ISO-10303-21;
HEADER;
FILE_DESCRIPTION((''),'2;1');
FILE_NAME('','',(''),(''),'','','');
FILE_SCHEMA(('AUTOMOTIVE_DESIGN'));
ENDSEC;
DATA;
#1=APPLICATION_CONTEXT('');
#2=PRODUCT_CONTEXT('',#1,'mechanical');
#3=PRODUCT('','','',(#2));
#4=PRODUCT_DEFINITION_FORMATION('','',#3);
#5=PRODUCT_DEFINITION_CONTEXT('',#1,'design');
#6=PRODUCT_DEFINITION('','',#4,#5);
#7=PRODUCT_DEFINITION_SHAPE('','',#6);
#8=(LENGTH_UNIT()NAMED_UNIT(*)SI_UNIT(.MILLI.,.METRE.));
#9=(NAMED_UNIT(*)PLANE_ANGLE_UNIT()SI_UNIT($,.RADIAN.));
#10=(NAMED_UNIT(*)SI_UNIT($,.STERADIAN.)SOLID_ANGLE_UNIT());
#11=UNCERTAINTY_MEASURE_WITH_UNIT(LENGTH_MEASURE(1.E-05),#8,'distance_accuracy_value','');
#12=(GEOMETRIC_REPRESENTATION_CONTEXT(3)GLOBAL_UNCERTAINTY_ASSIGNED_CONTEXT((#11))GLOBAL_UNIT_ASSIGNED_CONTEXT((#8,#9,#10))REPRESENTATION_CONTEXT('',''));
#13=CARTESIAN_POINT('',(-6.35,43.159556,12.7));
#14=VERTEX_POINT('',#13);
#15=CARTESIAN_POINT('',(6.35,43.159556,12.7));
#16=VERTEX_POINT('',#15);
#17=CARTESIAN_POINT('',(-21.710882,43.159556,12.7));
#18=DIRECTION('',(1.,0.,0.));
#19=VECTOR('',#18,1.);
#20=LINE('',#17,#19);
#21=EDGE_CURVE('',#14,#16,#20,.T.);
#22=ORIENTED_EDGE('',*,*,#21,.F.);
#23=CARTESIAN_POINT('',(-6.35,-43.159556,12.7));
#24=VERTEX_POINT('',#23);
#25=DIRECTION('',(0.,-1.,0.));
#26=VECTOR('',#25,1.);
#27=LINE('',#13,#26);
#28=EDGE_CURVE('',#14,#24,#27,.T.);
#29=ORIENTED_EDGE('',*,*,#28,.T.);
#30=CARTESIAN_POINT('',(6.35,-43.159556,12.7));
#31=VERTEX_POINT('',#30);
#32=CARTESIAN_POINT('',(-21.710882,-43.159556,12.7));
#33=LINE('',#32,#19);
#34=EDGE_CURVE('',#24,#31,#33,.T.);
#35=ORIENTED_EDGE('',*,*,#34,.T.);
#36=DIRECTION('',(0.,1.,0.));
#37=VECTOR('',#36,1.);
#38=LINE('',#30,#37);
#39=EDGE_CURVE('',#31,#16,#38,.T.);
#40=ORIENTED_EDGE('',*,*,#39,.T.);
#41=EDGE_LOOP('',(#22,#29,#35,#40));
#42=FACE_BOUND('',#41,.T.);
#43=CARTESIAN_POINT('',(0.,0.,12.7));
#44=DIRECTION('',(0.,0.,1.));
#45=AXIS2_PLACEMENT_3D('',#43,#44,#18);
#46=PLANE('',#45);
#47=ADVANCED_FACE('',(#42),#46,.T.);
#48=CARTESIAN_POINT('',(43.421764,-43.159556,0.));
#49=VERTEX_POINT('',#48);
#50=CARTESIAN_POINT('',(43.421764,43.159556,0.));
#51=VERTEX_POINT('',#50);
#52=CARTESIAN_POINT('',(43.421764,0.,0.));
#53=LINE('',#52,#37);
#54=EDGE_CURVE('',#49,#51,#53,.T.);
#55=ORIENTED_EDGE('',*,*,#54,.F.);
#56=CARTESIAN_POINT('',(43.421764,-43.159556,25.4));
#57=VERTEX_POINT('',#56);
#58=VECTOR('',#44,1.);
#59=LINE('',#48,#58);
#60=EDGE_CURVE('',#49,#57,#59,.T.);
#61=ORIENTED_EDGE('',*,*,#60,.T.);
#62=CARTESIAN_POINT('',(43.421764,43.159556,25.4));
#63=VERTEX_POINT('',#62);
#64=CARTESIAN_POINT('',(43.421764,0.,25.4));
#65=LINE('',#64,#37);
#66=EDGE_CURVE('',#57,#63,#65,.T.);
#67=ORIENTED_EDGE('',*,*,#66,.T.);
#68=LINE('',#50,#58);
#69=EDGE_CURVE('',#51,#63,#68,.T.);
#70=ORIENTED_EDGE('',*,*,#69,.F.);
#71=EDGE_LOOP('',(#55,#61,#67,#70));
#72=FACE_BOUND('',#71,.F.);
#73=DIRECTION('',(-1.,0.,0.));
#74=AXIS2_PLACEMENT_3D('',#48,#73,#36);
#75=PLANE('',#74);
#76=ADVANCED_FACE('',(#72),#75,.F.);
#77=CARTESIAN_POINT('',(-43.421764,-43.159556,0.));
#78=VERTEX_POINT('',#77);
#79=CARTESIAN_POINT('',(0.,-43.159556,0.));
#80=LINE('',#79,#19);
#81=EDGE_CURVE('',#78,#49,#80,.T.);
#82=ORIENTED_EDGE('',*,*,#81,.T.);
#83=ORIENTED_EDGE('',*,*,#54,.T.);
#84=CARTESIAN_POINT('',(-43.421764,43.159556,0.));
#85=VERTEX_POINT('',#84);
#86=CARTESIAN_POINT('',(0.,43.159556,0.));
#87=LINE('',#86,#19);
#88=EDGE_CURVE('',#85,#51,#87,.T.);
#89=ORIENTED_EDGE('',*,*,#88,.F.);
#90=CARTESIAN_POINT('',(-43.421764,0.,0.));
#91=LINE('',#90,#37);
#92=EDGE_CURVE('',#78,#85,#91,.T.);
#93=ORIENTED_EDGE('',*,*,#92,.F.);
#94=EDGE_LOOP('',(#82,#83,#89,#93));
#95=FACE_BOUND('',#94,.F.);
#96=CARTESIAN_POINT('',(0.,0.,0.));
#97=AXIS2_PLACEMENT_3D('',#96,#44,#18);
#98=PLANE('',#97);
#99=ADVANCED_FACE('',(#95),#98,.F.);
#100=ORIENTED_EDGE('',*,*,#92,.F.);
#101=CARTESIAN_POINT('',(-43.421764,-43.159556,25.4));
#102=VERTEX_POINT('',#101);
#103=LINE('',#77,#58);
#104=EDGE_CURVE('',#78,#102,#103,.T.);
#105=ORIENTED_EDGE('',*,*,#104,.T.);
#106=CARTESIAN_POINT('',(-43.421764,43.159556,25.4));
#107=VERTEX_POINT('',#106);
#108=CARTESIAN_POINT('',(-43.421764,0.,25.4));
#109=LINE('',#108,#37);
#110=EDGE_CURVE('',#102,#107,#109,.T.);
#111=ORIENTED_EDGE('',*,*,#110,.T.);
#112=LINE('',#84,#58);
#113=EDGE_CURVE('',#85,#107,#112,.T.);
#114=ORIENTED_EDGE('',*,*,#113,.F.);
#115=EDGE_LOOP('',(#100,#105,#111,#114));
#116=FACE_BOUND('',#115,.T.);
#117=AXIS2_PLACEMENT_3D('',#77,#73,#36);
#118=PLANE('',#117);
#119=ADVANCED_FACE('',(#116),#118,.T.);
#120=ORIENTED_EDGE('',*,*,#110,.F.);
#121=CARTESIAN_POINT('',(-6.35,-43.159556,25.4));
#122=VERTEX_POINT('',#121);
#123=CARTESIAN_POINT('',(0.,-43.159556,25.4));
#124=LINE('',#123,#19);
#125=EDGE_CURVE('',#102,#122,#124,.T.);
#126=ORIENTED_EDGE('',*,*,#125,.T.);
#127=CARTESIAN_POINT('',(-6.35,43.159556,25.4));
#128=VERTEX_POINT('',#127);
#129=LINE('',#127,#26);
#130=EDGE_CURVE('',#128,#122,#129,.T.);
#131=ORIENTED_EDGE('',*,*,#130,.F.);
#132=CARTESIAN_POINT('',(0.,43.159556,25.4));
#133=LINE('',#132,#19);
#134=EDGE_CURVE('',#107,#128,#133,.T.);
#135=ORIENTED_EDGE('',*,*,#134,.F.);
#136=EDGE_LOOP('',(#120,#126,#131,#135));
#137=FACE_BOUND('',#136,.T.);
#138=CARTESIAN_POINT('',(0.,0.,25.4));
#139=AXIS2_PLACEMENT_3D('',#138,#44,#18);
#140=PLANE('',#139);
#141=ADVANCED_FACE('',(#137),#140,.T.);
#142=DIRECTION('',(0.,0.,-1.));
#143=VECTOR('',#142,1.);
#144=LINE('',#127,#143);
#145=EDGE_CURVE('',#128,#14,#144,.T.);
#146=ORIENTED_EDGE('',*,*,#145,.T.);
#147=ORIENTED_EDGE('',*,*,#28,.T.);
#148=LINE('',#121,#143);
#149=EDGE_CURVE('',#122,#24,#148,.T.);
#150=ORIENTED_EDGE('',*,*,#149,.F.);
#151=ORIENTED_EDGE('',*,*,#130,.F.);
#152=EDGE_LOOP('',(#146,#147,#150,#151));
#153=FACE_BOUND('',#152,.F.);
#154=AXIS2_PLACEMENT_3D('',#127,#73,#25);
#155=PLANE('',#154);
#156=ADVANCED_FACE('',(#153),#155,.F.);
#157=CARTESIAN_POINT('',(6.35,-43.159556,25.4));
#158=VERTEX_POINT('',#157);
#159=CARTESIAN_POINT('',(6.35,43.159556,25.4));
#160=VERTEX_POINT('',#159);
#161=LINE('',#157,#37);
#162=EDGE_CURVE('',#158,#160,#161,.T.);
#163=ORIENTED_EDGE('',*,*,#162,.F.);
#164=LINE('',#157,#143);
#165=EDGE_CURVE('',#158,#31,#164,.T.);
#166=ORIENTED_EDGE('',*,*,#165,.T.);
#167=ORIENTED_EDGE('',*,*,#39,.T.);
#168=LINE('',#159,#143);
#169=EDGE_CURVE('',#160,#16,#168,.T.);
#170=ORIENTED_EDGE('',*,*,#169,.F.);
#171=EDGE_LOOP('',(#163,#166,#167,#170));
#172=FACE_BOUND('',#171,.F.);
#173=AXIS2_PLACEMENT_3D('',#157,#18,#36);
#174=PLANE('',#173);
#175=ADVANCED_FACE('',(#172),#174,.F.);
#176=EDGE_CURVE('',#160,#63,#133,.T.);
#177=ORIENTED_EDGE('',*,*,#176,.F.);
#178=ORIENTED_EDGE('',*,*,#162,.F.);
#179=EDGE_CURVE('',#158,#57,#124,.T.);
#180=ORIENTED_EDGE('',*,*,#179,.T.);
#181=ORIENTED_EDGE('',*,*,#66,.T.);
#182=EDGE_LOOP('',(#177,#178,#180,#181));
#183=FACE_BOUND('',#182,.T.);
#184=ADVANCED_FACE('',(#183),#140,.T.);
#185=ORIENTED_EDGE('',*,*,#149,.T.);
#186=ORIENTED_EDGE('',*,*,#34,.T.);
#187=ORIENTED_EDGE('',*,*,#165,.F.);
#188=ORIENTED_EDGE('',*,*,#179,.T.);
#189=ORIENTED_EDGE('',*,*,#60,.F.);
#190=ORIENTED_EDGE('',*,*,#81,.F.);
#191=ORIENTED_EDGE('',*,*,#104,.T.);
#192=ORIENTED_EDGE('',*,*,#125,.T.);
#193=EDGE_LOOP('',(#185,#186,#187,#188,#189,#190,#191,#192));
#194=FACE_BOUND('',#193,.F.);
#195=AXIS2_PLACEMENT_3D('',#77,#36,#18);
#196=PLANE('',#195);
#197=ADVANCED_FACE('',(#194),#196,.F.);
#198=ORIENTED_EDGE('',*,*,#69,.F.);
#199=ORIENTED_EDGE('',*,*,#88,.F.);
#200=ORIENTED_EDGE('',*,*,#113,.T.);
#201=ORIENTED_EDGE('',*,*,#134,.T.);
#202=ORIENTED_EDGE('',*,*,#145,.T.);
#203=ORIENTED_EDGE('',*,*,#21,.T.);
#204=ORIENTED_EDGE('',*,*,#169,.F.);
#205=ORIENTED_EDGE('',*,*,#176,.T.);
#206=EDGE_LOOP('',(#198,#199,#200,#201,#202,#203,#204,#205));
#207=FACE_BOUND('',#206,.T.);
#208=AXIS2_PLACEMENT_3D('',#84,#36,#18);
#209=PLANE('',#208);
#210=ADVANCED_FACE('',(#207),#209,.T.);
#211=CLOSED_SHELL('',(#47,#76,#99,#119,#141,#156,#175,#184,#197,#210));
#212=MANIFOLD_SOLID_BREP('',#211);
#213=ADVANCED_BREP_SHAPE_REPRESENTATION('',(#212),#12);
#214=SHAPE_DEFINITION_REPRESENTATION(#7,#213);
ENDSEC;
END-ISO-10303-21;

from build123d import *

# Parameters (mm, degrees)
F0_W     = 86.843528
F0_H     = 86.319112
F1_DEPTH = 25.4
F3_DEPTH = 12.7


with BuildPart() as f1:
    # F0 (on Top) → F1 (new body)
    with BuildSketch(Plane.XY):
        Rectangle(F0_W, F0_H)
    extrude(amount=F1_DEPTH)

    # F2 (on face) → F3 (cut)
    with BuildSketch(Plane.XY.offset(25.4)):
        with BuildLine():
            ThreePointArc((6.35, 43.159556), (0, 49.509556), (-6.35, 43.159556))
            Line((-6.35, 43.159556), (-6.35, -43.159556))
            ThreePointArc((-6.35, -43.159556), (0, -49.509556), (6.35, -43.159556))
            Line((6.35, -43.159556), (6.35, 43.159556))
        make_face()
    extrude(amount=-F3_DEPTH, mode=Mode.SUBTRACT)


solid = f1.part
